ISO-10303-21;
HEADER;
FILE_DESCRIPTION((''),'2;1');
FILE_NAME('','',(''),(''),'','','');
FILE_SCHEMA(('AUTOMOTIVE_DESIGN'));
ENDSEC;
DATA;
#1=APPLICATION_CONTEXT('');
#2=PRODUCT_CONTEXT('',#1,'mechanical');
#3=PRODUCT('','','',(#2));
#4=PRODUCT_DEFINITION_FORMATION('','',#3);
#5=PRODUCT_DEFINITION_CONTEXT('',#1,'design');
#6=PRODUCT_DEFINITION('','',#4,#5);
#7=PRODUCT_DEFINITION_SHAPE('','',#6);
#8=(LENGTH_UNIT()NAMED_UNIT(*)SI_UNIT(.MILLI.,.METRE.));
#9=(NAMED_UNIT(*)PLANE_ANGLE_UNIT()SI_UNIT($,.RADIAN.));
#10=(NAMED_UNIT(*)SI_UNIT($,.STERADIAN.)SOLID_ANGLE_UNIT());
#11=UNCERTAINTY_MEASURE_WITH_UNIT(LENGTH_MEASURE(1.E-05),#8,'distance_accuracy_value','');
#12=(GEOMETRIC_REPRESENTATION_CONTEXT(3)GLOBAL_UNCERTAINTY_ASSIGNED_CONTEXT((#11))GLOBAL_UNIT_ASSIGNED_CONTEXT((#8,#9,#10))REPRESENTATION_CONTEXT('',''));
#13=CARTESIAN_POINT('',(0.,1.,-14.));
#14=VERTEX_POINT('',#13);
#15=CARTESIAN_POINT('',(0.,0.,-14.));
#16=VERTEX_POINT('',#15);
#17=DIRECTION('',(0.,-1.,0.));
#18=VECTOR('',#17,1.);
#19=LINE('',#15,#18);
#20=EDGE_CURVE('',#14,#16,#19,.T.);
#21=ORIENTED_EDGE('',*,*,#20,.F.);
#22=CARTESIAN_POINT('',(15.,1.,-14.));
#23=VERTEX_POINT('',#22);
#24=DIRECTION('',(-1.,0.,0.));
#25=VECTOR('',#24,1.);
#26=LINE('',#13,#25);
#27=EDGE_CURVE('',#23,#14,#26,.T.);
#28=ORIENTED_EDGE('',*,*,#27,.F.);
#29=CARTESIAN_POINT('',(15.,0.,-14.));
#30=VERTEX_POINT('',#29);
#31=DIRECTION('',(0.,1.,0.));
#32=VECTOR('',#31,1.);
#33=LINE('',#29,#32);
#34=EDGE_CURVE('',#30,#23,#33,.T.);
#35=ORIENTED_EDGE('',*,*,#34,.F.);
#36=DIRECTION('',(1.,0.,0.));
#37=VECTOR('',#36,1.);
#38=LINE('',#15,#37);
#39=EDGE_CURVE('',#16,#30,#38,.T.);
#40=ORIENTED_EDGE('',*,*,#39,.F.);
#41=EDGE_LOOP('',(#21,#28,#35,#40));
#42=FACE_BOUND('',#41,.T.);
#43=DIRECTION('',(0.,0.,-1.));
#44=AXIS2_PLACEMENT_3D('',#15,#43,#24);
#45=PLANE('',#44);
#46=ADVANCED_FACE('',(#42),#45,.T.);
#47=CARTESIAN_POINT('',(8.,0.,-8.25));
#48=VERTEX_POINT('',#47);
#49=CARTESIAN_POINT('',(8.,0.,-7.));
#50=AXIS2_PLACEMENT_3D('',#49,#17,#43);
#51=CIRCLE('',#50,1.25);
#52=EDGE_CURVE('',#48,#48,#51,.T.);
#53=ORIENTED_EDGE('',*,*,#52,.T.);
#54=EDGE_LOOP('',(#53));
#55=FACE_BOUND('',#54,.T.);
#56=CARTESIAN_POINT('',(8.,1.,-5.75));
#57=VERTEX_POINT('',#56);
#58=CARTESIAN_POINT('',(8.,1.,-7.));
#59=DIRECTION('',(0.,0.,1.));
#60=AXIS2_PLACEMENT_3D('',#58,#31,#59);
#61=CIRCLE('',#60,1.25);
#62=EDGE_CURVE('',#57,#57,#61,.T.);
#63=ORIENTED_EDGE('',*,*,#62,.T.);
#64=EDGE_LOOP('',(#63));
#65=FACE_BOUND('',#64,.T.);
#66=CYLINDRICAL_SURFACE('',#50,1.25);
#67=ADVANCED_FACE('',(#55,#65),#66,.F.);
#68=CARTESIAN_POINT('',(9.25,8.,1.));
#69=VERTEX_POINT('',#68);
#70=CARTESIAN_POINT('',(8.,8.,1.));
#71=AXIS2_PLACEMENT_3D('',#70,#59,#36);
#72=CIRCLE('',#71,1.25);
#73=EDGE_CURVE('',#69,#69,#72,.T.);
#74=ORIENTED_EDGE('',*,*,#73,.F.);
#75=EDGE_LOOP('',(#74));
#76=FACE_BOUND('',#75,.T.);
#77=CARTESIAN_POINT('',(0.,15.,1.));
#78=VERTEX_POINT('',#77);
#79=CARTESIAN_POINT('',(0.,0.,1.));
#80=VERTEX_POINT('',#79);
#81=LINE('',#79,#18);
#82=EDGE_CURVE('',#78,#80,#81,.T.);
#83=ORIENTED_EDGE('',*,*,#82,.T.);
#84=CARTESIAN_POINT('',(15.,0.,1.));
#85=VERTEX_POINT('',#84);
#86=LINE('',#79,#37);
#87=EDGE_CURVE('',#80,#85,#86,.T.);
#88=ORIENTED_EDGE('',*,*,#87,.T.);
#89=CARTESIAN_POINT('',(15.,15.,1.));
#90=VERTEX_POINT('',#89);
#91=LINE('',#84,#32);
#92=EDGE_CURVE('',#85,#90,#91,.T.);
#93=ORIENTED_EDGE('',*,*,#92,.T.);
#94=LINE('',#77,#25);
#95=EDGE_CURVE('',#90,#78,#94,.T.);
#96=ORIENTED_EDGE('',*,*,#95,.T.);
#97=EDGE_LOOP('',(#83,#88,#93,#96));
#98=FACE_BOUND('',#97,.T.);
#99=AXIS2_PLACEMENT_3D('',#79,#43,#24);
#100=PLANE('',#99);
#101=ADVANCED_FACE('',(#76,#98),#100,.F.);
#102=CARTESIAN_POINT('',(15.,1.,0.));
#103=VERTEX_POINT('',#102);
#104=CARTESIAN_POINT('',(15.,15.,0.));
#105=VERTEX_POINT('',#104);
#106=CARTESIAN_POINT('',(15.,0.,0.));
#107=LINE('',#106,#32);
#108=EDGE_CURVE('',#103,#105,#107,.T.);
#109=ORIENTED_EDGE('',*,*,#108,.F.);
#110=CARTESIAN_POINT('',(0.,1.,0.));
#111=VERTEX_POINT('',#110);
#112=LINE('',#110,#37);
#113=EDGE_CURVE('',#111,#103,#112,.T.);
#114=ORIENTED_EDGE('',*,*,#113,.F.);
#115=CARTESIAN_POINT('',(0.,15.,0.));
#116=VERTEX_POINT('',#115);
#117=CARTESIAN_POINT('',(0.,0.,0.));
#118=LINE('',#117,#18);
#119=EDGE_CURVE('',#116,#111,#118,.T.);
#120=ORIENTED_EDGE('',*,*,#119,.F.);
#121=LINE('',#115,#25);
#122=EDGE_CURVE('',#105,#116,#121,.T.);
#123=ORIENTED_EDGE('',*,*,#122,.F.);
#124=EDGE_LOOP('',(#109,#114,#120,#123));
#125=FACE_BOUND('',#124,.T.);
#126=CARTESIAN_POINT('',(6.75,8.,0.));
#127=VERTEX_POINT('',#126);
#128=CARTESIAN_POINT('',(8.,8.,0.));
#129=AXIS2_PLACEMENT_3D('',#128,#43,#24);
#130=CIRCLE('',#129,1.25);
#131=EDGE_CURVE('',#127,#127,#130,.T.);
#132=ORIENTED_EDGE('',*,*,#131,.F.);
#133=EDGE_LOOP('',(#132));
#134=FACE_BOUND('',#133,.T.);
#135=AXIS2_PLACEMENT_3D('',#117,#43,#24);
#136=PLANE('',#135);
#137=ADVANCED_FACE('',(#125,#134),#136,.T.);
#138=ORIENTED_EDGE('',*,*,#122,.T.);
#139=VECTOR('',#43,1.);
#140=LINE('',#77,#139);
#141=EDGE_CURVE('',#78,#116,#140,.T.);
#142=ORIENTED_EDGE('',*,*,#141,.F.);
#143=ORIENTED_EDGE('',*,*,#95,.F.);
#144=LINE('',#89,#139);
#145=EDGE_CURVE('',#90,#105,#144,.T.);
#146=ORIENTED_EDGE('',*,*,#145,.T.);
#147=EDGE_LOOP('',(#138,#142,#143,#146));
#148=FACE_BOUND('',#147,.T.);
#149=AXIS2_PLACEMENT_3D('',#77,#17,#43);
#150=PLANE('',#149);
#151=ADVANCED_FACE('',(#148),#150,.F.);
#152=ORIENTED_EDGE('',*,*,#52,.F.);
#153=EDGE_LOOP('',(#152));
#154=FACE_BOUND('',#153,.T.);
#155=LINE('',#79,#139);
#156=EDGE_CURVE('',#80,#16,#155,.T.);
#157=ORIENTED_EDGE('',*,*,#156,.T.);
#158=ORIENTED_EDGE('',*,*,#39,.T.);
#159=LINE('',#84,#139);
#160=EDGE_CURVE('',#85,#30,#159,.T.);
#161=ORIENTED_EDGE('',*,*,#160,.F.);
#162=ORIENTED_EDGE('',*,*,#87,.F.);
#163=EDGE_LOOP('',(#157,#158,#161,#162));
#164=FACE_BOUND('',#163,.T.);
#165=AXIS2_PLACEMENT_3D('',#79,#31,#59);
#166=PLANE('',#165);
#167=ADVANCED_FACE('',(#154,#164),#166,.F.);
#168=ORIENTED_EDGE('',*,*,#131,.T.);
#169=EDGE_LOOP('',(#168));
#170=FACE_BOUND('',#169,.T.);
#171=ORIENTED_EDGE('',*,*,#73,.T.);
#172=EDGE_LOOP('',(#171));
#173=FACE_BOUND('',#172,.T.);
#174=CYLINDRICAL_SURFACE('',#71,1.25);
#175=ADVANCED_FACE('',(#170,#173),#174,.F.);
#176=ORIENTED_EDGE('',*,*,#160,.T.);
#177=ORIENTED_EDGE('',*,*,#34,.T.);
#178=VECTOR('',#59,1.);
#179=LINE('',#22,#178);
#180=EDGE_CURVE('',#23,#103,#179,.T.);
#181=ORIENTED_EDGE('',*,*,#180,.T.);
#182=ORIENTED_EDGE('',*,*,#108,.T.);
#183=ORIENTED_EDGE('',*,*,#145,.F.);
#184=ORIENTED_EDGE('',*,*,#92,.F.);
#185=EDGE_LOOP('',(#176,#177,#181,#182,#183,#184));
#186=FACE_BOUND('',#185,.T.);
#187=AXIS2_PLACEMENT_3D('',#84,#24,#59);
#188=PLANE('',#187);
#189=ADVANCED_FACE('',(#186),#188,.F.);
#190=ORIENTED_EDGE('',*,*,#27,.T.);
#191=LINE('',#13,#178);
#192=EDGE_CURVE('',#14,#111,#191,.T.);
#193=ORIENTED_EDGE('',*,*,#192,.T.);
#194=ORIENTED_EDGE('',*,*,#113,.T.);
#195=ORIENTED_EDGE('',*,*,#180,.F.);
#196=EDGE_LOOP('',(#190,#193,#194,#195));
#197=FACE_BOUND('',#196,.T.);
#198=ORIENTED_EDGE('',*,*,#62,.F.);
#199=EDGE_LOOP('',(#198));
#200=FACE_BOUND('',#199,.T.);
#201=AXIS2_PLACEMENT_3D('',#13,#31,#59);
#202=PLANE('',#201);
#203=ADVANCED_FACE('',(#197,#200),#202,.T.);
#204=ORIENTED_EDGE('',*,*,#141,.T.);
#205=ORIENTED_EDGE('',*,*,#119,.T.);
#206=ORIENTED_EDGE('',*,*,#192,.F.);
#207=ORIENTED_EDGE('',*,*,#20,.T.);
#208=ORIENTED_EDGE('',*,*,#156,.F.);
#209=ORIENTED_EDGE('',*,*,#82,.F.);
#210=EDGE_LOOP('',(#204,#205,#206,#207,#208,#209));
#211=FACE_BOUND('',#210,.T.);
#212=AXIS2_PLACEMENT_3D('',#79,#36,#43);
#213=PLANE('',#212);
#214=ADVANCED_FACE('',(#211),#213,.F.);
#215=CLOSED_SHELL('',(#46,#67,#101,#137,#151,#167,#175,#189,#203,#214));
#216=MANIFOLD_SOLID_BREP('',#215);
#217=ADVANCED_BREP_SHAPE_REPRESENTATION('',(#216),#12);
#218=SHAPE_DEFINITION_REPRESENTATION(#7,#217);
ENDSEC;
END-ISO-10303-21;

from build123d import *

# Parameters (mm, degrees)
SKETCH_1_W      = 15
SKETCH_1_H      = 15
EXTRUDE_1_DEPTH = 1
SKETCH_2_W      = 15
SKETCH_2_H      = 1
EXTRUDE_2_DEPTH = 15
M3X0_5_1_D      = 2.5
M3X0_5_2_D      = 2.5


with BuildPart() as part:
    # ｽｹｯﾁ1 → ﾎﾞｽ - 押し出し1 (new body)
    with BuildSketch(Plane.XY):
        with Locations((7.5, 7.5)):
            Rectangle(SKETCH_1_W, SKETCH_1_H)
    extrude(amount=EXTRUDE_1_DEPTH)

    # ｽｹｯﾁ2 → ﾎﾞｽ - 押し出し2 (add)
    with BuildSketch(Plane.XY.offset(1)):
        with Locations((7.5, 0.5)):
            Rectangle(SKETCH_2_W, SKETCH_2_H)
    extrude(amount=-EXTRUDE_2_DEPTH)

    # M3x0.5 ねじ穴1 (through all)
    with Locations(Plane.XY.offset(1)):
        with Locations((8, 8)):
            Hole(M3X0_5_1_D / 2)

    # M3x0.5 ねじ穴2 (through all)
    with Locations(Plane(origin=(0, 0, 0), x_dir=(-1, 0, 0), z_dir=(0, -1, 0))):
        with Locations((-8, 7)):
            Hole(M3X0_5_2_D / 2)


solid = part.part
